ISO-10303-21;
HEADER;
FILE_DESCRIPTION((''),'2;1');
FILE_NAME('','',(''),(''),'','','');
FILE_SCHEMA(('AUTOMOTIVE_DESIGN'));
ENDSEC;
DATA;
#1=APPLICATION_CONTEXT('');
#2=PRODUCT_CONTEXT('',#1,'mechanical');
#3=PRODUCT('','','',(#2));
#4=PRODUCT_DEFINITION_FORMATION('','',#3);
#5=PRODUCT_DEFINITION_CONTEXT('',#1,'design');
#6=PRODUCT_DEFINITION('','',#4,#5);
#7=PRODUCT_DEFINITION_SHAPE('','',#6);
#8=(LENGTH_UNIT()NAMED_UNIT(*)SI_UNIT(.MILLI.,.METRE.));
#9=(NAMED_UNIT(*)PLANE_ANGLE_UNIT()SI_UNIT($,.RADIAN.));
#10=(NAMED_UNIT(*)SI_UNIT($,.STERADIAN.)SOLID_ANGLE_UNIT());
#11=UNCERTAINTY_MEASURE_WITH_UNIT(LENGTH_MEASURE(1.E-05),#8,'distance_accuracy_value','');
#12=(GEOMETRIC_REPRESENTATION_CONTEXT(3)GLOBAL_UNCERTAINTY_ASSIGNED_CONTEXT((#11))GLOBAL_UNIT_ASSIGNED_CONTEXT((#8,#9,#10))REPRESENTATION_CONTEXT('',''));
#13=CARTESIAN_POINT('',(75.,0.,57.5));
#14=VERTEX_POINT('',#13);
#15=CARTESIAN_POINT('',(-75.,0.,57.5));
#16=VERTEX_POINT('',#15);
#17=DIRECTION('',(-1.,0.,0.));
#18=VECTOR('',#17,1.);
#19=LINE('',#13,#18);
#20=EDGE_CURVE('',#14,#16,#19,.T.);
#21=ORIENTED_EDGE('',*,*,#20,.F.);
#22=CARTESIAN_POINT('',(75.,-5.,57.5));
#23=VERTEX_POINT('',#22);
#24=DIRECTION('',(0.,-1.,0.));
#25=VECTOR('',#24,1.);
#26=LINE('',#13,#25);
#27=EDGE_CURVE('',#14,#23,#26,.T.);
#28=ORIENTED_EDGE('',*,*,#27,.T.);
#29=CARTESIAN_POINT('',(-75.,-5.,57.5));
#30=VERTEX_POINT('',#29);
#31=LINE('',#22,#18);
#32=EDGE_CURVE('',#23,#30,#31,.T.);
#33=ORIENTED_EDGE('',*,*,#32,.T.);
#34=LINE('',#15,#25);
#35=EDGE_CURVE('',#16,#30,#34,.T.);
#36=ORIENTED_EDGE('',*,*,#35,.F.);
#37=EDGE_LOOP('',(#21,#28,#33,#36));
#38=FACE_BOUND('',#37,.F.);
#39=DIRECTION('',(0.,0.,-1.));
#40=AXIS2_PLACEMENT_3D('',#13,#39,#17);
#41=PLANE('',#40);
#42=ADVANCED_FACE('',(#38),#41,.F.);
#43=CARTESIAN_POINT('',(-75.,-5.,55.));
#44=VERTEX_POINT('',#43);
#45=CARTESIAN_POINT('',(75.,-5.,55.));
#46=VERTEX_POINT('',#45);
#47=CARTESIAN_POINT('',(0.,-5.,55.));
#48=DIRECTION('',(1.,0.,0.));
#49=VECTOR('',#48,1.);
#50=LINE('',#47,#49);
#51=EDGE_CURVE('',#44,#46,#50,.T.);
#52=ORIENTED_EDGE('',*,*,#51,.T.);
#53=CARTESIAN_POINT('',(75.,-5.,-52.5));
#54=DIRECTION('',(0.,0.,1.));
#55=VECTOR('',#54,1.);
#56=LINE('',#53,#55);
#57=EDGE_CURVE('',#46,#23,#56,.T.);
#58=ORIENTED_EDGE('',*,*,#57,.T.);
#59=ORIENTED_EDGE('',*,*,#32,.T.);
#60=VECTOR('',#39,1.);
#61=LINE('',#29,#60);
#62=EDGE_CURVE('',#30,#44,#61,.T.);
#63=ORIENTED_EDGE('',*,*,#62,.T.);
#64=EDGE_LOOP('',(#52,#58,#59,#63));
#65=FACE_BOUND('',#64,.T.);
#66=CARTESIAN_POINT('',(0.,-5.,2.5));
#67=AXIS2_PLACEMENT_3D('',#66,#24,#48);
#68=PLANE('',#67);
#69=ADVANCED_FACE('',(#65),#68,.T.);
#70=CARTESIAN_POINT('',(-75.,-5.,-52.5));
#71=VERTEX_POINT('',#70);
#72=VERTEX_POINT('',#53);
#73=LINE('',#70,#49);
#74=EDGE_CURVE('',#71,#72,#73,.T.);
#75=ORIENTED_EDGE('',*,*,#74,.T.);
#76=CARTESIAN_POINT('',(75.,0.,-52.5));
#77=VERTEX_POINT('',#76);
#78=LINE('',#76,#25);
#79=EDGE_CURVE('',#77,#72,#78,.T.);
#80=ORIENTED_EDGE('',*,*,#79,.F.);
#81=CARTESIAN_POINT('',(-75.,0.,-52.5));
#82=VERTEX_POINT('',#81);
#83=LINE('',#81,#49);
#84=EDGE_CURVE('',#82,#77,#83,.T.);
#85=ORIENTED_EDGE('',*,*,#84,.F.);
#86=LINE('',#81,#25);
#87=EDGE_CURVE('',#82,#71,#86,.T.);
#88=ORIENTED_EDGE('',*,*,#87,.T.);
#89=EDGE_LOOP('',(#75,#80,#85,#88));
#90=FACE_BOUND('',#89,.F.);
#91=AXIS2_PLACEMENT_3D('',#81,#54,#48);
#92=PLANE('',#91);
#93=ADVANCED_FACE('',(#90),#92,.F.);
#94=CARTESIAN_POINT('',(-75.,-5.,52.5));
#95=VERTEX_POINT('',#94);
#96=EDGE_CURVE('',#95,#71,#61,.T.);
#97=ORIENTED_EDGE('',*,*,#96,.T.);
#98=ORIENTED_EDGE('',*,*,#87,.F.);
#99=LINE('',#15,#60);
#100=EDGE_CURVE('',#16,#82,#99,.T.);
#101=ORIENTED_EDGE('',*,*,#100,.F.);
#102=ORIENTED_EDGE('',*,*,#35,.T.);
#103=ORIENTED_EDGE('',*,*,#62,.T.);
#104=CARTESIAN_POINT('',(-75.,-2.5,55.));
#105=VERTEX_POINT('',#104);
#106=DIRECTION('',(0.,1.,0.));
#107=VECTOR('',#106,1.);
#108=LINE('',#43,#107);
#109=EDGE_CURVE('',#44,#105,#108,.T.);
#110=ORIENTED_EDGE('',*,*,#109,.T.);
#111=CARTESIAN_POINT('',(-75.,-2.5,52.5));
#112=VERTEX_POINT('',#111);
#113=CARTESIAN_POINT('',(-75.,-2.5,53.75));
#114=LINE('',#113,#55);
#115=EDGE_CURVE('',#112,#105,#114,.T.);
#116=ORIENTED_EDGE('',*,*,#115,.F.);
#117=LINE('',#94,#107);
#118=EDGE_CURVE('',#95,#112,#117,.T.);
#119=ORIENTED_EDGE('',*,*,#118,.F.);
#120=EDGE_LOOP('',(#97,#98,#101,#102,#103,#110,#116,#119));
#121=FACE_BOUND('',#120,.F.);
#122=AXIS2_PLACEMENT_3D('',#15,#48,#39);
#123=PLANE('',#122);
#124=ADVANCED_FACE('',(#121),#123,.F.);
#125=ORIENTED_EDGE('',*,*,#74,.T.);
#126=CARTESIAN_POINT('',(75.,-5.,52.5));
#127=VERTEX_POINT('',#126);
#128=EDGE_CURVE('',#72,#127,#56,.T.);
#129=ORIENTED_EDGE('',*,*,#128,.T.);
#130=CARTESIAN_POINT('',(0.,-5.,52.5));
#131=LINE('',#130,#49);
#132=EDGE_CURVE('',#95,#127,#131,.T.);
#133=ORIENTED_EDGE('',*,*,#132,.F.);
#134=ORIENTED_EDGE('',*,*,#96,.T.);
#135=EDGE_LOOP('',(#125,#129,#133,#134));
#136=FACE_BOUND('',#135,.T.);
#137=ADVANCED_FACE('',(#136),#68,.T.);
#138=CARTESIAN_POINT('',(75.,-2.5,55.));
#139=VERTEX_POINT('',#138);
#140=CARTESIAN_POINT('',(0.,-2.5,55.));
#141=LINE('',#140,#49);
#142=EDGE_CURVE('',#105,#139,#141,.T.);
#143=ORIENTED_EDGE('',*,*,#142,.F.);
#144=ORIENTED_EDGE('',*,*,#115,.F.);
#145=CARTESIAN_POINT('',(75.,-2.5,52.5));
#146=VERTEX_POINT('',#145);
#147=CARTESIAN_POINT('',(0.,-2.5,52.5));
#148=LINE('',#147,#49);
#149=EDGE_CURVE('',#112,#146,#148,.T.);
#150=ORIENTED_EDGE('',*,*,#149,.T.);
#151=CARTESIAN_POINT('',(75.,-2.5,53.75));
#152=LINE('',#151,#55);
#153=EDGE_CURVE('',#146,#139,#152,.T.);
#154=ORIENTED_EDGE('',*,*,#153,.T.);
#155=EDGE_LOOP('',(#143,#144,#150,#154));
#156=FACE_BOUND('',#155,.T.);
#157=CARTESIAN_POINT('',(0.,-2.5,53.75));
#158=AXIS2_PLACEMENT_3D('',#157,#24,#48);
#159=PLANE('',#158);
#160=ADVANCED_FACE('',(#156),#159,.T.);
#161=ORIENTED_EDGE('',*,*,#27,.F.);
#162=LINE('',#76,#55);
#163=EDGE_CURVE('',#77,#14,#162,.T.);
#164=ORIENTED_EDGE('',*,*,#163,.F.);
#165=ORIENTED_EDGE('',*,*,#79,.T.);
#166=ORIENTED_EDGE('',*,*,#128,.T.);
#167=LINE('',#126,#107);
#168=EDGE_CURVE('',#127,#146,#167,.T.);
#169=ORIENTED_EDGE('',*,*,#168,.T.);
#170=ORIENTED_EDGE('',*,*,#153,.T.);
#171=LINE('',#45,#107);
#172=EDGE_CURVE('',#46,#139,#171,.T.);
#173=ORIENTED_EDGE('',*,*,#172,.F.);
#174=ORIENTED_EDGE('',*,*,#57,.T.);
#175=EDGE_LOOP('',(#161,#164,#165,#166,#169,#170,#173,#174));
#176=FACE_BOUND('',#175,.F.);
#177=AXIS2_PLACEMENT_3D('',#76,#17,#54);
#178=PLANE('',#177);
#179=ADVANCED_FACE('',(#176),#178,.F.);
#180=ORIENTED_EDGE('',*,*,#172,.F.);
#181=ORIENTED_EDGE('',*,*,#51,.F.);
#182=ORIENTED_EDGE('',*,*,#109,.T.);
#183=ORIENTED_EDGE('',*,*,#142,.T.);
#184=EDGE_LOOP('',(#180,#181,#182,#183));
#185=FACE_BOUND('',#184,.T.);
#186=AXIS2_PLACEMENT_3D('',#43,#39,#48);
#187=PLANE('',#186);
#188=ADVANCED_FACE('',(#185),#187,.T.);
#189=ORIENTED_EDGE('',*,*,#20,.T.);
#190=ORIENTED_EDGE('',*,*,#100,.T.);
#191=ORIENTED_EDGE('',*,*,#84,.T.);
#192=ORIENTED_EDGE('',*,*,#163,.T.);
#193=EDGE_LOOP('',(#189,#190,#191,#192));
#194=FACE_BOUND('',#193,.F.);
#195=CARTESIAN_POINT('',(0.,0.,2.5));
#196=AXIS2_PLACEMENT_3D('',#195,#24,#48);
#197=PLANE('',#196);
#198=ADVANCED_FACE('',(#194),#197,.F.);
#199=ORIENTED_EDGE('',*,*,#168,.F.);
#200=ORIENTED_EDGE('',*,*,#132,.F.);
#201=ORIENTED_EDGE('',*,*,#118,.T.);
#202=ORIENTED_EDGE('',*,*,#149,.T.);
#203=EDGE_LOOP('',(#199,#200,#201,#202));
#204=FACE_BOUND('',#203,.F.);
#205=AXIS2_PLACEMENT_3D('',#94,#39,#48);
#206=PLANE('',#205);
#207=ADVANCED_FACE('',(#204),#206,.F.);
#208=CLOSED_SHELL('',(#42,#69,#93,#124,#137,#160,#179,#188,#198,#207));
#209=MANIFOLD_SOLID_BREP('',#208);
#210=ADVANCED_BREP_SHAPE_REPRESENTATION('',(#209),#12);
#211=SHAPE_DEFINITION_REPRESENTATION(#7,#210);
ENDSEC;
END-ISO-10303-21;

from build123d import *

# Parameters (mm, degrees)
F1_DEPTH = 5
F2_W     = 150
F2_H     = 2.5
F3_DEPTH = 2.5


with BuildPart() as f1:
    # F0 (on Front) → F1 (new body)
    with BuildSketch(Plane.XZ):
        Polygon((-75, -52.5), (75, -52.5), (75, 52.5), (75, 57.5), (-75, 57.5), (-75, 52.5), align=None)
    extrude(amount=F1_DEPTH)

    # F2 (on face) → F3 (cut)
    with BuildSketch(Plane.XZ.offset(5)):
        with Locations((0, 53.75)):
            Rectangle(F2_W, F2_H)
    extrude(amount=-F3_DEPTH, mode=Mode.SUBTRACT)


solid = f1.part
